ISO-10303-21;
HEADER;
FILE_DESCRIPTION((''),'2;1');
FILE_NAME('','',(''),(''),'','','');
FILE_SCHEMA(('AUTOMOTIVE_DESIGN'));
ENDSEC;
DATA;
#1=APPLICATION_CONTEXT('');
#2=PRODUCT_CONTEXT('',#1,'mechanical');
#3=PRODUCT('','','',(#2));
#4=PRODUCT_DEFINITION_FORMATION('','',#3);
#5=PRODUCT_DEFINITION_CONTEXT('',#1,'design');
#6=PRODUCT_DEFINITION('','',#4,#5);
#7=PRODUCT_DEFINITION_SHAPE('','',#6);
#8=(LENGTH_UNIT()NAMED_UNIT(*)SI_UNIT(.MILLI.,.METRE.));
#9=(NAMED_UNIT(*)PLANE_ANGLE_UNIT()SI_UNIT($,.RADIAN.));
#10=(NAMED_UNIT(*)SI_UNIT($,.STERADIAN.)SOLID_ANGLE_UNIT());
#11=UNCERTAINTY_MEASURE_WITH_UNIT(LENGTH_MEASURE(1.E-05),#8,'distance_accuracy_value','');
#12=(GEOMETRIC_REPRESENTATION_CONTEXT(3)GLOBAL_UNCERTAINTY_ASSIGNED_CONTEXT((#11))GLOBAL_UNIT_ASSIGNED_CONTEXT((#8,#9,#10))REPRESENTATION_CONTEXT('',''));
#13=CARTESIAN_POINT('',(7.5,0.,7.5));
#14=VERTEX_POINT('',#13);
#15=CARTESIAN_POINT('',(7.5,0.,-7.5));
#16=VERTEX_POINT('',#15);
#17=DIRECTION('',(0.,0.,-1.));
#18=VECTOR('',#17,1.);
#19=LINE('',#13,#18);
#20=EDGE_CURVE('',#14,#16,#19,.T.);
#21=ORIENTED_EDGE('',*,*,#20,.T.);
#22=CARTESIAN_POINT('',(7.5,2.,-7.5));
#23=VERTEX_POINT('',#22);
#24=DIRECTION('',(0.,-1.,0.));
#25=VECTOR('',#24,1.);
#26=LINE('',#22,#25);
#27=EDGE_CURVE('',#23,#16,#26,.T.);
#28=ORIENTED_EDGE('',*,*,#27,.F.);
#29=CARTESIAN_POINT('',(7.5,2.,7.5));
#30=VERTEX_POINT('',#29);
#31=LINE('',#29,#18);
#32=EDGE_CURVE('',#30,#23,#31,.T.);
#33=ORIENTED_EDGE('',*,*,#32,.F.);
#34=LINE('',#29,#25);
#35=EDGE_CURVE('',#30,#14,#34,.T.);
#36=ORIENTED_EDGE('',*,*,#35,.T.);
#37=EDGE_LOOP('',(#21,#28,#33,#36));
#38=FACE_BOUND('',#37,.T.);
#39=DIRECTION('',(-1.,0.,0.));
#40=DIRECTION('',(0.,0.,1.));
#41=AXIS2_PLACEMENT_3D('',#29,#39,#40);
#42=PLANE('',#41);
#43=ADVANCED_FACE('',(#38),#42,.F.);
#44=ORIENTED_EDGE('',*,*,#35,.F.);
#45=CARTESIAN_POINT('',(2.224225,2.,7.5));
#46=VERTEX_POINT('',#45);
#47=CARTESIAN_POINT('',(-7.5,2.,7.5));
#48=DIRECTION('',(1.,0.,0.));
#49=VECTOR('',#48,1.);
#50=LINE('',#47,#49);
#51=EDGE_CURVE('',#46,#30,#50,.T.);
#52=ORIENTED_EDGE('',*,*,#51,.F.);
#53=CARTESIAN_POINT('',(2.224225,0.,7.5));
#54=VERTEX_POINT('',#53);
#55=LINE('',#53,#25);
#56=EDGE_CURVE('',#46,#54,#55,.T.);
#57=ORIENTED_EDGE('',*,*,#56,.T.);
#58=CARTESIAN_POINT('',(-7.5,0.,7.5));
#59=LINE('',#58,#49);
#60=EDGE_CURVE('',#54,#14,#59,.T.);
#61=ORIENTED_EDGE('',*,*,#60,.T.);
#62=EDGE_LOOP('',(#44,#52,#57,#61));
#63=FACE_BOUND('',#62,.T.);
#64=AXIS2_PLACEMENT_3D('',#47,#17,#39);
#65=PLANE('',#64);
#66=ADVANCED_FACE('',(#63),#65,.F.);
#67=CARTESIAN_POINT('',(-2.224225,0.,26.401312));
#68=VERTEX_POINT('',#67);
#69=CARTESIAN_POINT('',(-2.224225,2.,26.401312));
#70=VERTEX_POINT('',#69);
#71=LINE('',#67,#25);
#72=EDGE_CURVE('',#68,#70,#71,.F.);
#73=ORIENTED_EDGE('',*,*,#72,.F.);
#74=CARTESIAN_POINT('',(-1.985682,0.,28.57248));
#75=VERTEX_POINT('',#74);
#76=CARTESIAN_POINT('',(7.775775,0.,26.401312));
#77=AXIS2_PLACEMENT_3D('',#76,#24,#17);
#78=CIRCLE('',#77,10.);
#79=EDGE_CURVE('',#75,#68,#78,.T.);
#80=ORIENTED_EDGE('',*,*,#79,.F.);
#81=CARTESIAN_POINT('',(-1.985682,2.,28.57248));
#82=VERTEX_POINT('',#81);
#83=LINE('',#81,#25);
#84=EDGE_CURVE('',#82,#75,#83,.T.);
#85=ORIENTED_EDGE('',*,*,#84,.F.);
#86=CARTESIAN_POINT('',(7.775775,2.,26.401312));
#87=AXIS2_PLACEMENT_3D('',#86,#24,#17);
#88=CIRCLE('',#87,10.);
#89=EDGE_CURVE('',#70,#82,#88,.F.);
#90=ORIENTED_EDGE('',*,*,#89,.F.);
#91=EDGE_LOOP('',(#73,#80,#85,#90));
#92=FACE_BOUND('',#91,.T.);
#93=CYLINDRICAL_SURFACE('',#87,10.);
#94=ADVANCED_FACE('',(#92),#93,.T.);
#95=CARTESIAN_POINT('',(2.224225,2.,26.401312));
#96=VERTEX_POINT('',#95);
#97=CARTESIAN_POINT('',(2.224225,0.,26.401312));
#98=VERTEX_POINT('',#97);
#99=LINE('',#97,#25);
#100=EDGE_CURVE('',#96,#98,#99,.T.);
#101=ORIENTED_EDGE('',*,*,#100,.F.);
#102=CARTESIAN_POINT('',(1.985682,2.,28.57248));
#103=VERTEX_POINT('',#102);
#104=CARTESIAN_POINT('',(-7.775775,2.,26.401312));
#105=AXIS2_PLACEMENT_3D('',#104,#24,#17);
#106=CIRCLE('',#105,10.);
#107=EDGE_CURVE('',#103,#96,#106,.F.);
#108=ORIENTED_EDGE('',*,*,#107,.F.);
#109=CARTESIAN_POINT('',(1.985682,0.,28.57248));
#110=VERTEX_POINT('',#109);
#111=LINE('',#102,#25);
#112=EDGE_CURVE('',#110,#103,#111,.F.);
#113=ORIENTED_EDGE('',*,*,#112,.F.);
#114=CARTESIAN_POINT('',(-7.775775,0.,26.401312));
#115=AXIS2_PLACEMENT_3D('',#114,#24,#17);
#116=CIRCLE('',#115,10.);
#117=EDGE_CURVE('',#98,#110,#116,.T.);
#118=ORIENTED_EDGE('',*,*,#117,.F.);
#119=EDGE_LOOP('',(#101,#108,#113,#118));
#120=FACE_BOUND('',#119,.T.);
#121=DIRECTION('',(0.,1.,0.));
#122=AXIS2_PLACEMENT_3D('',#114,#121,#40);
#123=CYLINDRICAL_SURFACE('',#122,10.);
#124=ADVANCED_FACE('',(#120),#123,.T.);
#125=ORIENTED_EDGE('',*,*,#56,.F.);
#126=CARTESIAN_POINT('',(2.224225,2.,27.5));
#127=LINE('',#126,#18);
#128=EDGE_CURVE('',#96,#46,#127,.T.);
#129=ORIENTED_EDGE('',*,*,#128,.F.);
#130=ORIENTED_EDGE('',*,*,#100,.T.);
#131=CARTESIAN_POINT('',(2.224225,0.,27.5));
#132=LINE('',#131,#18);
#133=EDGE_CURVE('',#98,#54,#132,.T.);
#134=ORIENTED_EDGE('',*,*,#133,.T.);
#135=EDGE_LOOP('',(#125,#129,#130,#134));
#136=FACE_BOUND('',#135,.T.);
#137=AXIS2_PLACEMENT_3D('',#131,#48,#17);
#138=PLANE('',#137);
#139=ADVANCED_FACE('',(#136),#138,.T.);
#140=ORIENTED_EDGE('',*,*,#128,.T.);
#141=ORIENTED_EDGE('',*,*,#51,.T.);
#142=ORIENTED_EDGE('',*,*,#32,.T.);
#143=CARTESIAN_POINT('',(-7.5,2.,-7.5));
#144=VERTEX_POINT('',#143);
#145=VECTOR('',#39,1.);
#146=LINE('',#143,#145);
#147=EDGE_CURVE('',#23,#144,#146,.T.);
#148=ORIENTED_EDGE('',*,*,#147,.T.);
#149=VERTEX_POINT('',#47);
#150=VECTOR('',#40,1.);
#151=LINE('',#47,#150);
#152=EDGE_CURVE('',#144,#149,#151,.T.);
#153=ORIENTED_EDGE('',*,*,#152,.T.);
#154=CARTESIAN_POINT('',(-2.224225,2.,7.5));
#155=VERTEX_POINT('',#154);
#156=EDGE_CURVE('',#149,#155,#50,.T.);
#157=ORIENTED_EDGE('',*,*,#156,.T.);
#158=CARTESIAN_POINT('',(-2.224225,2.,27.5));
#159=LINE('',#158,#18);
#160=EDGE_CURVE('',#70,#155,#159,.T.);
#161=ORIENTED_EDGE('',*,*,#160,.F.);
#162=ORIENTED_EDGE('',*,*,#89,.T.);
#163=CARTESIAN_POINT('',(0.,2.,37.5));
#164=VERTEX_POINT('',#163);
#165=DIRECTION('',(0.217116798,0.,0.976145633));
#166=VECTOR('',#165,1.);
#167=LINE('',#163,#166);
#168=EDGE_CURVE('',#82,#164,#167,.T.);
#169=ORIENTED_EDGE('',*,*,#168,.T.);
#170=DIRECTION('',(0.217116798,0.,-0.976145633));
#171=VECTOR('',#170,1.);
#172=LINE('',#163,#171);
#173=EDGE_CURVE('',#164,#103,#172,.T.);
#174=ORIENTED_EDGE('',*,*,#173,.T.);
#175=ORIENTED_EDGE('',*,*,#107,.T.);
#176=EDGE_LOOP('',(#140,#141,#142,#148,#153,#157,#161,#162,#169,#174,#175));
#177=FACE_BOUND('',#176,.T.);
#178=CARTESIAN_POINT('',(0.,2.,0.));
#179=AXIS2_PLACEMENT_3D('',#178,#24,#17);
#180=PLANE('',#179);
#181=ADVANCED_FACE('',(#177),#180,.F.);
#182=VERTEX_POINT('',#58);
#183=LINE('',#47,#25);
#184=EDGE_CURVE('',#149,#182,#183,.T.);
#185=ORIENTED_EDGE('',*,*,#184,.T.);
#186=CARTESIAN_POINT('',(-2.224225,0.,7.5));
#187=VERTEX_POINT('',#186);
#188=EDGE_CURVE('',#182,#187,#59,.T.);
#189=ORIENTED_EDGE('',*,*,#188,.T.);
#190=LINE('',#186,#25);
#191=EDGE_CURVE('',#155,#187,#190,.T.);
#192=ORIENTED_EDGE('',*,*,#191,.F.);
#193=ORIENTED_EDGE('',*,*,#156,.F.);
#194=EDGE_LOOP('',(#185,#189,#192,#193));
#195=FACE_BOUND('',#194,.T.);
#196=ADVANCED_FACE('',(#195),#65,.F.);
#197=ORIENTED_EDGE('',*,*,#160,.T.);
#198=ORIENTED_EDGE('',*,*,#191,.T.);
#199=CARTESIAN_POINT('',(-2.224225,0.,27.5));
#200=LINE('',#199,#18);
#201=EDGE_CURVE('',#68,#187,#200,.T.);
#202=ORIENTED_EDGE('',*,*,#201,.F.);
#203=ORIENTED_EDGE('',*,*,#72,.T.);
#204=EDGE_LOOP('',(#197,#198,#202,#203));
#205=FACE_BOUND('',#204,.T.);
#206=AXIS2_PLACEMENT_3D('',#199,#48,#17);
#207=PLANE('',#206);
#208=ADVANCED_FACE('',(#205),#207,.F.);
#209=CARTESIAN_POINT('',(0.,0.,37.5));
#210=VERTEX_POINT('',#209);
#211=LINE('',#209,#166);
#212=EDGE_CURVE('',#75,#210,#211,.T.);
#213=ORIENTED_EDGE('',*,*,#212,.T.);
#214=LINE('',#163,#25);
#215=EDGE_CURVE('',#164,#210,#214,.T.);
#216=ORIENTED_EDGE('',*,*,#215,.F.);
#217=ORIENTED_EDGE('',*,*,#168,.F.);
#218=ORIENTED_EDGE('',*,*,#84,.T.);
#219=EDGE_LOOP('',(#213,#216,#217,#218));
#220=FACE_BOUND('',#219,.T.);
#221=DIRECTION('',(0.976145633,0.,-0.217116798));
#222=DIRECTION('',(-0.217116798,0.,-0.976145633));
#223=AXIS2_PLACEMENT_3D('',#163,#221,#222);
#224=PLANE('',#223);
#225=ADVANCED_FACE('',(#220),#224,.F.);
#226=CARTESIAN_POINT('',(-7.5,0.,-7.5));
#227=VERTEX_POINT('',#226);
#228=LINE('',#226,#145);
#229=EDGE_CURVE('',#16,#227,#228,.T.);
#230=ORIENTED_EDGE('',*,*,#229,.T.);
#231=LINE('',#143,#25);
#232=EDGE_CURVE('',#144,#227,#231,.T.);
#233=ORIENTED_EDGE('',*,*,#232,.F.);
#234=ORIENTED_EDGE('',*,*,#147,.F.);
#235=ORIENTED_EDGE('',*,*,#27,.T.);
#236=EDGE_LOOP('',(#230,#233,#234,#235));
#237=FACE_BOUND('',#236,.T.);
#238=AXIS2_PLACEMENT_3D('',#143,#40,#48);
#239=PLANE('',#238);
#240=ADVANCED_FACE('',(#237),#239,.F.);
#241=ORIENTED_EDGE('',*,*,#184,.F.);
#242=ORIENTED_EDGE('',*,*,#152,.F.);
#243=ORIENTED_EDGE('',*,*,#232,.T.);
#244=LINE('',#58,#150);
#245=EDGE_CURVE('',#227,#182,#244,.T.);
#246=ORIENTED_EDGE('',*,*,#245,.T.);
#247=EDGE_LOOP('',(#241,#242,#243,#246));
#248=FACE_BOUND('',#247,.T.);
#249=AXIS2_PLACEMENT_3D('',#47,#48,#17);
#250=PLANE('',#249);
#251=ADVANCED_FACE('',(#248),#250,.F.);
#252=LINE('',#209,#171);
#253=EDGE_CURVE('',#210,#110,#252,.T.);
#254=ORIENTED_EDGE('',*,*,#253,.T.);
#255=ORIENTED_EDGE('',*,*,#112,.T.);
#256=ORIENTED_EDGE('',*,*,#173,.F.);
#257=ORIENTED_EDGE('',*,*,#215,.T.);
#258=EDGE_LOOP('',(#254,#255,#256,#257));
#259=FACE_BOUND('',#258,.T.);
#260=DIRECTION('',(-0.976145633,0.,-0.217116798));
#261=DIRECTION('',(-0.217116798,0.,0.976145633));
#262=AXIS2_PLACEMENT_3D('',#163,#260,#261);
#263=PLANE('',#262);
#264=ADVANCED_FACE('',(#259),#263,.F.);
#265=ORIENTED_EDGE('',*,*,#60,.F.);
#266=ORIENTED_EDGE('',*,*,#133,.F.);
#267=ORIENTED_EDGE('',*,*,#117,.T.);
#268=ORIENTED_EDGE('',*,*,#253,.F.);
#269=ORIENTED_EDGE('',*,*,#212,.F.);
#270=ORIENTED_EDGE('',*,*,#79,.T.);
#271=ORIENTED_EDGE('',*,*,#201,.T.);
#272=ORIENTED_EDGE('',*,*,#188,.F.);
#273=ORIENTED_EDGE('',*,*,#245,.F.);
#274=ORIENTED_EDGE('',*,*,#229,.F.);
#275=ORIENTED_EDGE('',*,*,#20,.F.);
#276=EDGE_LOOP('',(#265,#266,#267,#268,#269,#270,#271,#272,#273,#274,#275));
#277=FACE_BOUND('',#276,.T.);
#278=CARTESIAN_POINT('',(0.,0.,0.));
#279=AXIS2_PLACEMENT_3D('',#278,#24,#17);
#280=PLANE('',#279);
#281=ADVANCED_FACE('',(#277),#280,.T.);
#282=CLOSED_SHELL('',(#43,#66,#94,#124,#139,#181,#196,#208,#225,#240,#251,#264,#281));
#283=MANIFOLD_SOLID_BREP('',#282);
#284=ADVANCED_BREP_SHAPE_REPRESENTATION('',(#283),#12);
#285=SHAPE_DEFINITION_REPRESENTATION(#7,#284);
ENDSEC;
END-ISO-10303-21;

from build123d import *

# Parameters (mm, degrees)
IZIM1_W                     = 15
IZIM1_H                     = 15
Y_KSEKLIK_EKSTR_ZYON1_DEPTH = 2
IZIM2_W                     = 2.224225473
IZIM2_H                     = 2
Y_KSEKLIK_EKSTR_ZYON2_DEPTH = 20
Y_KSEKLIK_EKSTR_ZYON3_DEPTH = 2
RADYUS1_R                   = 10
RADYUS2_R                   = 10


with BuildPart() as part:
    # Çizim1 → Yükseklik-Ekstrüzyon1 (new body)
    with BuildSketch(Plane(origin=(0, 0, 0), x_dir=(1, 0, 0), z_dir=(0, 1, 0))):
        Rectangle(IZIM1_W, IZIM1_H)
    extrude(amount=Y_KSEKLIK_EKSTR_ZYON1_DEPTH)

    # Çizim2 → Yükseklik-Ekstrüzyon2 (add)
    with BuildSketch(Plane.XY.offset(7.5)):
        with Locations((1.112112737, 1)):
            Rectangle(IZIM2_W, IZIM2_H)
        with Locations((-1.112112737, 1)):
            Rectangle(IZIM2_W, IZIM2_H)
    extrude(amount=Y_KSEKLIK_EKSTR_ZYON2_DEPTH)

    # Çizim3 → Yükseklik-Ekstrüzyon3 (add)
    with BuildSketch(Plane(origin=(0, 0, 0), x_dir=(1, 0, 0), z_dir=(0, 1, 0))):
        Polygon((-2.224225473, -27.5), (2.224225473, -27.5), (0, -37.5), align=None)
    extrude(amount=Y_KSEKLIK_EKSTR_ZYON3_DEPTH)

    # Radyus1
    radyus1_edges = [part.edges().sort_by_distance(p)[0] for p in [
        (-2.224225473, 1, 27.5),
    ]]
    fillet(radyus1_edges, radius=RADYUS1_R)

    # Radyus2
    radyus2_edges = [part.edges().sort_by_distance(p)[0] for p in [
        (2.224225473, 1, 27.5),
    ]]
    fillet(radyus2_edges, radius=RADYUS2_R)


solid = part.part
